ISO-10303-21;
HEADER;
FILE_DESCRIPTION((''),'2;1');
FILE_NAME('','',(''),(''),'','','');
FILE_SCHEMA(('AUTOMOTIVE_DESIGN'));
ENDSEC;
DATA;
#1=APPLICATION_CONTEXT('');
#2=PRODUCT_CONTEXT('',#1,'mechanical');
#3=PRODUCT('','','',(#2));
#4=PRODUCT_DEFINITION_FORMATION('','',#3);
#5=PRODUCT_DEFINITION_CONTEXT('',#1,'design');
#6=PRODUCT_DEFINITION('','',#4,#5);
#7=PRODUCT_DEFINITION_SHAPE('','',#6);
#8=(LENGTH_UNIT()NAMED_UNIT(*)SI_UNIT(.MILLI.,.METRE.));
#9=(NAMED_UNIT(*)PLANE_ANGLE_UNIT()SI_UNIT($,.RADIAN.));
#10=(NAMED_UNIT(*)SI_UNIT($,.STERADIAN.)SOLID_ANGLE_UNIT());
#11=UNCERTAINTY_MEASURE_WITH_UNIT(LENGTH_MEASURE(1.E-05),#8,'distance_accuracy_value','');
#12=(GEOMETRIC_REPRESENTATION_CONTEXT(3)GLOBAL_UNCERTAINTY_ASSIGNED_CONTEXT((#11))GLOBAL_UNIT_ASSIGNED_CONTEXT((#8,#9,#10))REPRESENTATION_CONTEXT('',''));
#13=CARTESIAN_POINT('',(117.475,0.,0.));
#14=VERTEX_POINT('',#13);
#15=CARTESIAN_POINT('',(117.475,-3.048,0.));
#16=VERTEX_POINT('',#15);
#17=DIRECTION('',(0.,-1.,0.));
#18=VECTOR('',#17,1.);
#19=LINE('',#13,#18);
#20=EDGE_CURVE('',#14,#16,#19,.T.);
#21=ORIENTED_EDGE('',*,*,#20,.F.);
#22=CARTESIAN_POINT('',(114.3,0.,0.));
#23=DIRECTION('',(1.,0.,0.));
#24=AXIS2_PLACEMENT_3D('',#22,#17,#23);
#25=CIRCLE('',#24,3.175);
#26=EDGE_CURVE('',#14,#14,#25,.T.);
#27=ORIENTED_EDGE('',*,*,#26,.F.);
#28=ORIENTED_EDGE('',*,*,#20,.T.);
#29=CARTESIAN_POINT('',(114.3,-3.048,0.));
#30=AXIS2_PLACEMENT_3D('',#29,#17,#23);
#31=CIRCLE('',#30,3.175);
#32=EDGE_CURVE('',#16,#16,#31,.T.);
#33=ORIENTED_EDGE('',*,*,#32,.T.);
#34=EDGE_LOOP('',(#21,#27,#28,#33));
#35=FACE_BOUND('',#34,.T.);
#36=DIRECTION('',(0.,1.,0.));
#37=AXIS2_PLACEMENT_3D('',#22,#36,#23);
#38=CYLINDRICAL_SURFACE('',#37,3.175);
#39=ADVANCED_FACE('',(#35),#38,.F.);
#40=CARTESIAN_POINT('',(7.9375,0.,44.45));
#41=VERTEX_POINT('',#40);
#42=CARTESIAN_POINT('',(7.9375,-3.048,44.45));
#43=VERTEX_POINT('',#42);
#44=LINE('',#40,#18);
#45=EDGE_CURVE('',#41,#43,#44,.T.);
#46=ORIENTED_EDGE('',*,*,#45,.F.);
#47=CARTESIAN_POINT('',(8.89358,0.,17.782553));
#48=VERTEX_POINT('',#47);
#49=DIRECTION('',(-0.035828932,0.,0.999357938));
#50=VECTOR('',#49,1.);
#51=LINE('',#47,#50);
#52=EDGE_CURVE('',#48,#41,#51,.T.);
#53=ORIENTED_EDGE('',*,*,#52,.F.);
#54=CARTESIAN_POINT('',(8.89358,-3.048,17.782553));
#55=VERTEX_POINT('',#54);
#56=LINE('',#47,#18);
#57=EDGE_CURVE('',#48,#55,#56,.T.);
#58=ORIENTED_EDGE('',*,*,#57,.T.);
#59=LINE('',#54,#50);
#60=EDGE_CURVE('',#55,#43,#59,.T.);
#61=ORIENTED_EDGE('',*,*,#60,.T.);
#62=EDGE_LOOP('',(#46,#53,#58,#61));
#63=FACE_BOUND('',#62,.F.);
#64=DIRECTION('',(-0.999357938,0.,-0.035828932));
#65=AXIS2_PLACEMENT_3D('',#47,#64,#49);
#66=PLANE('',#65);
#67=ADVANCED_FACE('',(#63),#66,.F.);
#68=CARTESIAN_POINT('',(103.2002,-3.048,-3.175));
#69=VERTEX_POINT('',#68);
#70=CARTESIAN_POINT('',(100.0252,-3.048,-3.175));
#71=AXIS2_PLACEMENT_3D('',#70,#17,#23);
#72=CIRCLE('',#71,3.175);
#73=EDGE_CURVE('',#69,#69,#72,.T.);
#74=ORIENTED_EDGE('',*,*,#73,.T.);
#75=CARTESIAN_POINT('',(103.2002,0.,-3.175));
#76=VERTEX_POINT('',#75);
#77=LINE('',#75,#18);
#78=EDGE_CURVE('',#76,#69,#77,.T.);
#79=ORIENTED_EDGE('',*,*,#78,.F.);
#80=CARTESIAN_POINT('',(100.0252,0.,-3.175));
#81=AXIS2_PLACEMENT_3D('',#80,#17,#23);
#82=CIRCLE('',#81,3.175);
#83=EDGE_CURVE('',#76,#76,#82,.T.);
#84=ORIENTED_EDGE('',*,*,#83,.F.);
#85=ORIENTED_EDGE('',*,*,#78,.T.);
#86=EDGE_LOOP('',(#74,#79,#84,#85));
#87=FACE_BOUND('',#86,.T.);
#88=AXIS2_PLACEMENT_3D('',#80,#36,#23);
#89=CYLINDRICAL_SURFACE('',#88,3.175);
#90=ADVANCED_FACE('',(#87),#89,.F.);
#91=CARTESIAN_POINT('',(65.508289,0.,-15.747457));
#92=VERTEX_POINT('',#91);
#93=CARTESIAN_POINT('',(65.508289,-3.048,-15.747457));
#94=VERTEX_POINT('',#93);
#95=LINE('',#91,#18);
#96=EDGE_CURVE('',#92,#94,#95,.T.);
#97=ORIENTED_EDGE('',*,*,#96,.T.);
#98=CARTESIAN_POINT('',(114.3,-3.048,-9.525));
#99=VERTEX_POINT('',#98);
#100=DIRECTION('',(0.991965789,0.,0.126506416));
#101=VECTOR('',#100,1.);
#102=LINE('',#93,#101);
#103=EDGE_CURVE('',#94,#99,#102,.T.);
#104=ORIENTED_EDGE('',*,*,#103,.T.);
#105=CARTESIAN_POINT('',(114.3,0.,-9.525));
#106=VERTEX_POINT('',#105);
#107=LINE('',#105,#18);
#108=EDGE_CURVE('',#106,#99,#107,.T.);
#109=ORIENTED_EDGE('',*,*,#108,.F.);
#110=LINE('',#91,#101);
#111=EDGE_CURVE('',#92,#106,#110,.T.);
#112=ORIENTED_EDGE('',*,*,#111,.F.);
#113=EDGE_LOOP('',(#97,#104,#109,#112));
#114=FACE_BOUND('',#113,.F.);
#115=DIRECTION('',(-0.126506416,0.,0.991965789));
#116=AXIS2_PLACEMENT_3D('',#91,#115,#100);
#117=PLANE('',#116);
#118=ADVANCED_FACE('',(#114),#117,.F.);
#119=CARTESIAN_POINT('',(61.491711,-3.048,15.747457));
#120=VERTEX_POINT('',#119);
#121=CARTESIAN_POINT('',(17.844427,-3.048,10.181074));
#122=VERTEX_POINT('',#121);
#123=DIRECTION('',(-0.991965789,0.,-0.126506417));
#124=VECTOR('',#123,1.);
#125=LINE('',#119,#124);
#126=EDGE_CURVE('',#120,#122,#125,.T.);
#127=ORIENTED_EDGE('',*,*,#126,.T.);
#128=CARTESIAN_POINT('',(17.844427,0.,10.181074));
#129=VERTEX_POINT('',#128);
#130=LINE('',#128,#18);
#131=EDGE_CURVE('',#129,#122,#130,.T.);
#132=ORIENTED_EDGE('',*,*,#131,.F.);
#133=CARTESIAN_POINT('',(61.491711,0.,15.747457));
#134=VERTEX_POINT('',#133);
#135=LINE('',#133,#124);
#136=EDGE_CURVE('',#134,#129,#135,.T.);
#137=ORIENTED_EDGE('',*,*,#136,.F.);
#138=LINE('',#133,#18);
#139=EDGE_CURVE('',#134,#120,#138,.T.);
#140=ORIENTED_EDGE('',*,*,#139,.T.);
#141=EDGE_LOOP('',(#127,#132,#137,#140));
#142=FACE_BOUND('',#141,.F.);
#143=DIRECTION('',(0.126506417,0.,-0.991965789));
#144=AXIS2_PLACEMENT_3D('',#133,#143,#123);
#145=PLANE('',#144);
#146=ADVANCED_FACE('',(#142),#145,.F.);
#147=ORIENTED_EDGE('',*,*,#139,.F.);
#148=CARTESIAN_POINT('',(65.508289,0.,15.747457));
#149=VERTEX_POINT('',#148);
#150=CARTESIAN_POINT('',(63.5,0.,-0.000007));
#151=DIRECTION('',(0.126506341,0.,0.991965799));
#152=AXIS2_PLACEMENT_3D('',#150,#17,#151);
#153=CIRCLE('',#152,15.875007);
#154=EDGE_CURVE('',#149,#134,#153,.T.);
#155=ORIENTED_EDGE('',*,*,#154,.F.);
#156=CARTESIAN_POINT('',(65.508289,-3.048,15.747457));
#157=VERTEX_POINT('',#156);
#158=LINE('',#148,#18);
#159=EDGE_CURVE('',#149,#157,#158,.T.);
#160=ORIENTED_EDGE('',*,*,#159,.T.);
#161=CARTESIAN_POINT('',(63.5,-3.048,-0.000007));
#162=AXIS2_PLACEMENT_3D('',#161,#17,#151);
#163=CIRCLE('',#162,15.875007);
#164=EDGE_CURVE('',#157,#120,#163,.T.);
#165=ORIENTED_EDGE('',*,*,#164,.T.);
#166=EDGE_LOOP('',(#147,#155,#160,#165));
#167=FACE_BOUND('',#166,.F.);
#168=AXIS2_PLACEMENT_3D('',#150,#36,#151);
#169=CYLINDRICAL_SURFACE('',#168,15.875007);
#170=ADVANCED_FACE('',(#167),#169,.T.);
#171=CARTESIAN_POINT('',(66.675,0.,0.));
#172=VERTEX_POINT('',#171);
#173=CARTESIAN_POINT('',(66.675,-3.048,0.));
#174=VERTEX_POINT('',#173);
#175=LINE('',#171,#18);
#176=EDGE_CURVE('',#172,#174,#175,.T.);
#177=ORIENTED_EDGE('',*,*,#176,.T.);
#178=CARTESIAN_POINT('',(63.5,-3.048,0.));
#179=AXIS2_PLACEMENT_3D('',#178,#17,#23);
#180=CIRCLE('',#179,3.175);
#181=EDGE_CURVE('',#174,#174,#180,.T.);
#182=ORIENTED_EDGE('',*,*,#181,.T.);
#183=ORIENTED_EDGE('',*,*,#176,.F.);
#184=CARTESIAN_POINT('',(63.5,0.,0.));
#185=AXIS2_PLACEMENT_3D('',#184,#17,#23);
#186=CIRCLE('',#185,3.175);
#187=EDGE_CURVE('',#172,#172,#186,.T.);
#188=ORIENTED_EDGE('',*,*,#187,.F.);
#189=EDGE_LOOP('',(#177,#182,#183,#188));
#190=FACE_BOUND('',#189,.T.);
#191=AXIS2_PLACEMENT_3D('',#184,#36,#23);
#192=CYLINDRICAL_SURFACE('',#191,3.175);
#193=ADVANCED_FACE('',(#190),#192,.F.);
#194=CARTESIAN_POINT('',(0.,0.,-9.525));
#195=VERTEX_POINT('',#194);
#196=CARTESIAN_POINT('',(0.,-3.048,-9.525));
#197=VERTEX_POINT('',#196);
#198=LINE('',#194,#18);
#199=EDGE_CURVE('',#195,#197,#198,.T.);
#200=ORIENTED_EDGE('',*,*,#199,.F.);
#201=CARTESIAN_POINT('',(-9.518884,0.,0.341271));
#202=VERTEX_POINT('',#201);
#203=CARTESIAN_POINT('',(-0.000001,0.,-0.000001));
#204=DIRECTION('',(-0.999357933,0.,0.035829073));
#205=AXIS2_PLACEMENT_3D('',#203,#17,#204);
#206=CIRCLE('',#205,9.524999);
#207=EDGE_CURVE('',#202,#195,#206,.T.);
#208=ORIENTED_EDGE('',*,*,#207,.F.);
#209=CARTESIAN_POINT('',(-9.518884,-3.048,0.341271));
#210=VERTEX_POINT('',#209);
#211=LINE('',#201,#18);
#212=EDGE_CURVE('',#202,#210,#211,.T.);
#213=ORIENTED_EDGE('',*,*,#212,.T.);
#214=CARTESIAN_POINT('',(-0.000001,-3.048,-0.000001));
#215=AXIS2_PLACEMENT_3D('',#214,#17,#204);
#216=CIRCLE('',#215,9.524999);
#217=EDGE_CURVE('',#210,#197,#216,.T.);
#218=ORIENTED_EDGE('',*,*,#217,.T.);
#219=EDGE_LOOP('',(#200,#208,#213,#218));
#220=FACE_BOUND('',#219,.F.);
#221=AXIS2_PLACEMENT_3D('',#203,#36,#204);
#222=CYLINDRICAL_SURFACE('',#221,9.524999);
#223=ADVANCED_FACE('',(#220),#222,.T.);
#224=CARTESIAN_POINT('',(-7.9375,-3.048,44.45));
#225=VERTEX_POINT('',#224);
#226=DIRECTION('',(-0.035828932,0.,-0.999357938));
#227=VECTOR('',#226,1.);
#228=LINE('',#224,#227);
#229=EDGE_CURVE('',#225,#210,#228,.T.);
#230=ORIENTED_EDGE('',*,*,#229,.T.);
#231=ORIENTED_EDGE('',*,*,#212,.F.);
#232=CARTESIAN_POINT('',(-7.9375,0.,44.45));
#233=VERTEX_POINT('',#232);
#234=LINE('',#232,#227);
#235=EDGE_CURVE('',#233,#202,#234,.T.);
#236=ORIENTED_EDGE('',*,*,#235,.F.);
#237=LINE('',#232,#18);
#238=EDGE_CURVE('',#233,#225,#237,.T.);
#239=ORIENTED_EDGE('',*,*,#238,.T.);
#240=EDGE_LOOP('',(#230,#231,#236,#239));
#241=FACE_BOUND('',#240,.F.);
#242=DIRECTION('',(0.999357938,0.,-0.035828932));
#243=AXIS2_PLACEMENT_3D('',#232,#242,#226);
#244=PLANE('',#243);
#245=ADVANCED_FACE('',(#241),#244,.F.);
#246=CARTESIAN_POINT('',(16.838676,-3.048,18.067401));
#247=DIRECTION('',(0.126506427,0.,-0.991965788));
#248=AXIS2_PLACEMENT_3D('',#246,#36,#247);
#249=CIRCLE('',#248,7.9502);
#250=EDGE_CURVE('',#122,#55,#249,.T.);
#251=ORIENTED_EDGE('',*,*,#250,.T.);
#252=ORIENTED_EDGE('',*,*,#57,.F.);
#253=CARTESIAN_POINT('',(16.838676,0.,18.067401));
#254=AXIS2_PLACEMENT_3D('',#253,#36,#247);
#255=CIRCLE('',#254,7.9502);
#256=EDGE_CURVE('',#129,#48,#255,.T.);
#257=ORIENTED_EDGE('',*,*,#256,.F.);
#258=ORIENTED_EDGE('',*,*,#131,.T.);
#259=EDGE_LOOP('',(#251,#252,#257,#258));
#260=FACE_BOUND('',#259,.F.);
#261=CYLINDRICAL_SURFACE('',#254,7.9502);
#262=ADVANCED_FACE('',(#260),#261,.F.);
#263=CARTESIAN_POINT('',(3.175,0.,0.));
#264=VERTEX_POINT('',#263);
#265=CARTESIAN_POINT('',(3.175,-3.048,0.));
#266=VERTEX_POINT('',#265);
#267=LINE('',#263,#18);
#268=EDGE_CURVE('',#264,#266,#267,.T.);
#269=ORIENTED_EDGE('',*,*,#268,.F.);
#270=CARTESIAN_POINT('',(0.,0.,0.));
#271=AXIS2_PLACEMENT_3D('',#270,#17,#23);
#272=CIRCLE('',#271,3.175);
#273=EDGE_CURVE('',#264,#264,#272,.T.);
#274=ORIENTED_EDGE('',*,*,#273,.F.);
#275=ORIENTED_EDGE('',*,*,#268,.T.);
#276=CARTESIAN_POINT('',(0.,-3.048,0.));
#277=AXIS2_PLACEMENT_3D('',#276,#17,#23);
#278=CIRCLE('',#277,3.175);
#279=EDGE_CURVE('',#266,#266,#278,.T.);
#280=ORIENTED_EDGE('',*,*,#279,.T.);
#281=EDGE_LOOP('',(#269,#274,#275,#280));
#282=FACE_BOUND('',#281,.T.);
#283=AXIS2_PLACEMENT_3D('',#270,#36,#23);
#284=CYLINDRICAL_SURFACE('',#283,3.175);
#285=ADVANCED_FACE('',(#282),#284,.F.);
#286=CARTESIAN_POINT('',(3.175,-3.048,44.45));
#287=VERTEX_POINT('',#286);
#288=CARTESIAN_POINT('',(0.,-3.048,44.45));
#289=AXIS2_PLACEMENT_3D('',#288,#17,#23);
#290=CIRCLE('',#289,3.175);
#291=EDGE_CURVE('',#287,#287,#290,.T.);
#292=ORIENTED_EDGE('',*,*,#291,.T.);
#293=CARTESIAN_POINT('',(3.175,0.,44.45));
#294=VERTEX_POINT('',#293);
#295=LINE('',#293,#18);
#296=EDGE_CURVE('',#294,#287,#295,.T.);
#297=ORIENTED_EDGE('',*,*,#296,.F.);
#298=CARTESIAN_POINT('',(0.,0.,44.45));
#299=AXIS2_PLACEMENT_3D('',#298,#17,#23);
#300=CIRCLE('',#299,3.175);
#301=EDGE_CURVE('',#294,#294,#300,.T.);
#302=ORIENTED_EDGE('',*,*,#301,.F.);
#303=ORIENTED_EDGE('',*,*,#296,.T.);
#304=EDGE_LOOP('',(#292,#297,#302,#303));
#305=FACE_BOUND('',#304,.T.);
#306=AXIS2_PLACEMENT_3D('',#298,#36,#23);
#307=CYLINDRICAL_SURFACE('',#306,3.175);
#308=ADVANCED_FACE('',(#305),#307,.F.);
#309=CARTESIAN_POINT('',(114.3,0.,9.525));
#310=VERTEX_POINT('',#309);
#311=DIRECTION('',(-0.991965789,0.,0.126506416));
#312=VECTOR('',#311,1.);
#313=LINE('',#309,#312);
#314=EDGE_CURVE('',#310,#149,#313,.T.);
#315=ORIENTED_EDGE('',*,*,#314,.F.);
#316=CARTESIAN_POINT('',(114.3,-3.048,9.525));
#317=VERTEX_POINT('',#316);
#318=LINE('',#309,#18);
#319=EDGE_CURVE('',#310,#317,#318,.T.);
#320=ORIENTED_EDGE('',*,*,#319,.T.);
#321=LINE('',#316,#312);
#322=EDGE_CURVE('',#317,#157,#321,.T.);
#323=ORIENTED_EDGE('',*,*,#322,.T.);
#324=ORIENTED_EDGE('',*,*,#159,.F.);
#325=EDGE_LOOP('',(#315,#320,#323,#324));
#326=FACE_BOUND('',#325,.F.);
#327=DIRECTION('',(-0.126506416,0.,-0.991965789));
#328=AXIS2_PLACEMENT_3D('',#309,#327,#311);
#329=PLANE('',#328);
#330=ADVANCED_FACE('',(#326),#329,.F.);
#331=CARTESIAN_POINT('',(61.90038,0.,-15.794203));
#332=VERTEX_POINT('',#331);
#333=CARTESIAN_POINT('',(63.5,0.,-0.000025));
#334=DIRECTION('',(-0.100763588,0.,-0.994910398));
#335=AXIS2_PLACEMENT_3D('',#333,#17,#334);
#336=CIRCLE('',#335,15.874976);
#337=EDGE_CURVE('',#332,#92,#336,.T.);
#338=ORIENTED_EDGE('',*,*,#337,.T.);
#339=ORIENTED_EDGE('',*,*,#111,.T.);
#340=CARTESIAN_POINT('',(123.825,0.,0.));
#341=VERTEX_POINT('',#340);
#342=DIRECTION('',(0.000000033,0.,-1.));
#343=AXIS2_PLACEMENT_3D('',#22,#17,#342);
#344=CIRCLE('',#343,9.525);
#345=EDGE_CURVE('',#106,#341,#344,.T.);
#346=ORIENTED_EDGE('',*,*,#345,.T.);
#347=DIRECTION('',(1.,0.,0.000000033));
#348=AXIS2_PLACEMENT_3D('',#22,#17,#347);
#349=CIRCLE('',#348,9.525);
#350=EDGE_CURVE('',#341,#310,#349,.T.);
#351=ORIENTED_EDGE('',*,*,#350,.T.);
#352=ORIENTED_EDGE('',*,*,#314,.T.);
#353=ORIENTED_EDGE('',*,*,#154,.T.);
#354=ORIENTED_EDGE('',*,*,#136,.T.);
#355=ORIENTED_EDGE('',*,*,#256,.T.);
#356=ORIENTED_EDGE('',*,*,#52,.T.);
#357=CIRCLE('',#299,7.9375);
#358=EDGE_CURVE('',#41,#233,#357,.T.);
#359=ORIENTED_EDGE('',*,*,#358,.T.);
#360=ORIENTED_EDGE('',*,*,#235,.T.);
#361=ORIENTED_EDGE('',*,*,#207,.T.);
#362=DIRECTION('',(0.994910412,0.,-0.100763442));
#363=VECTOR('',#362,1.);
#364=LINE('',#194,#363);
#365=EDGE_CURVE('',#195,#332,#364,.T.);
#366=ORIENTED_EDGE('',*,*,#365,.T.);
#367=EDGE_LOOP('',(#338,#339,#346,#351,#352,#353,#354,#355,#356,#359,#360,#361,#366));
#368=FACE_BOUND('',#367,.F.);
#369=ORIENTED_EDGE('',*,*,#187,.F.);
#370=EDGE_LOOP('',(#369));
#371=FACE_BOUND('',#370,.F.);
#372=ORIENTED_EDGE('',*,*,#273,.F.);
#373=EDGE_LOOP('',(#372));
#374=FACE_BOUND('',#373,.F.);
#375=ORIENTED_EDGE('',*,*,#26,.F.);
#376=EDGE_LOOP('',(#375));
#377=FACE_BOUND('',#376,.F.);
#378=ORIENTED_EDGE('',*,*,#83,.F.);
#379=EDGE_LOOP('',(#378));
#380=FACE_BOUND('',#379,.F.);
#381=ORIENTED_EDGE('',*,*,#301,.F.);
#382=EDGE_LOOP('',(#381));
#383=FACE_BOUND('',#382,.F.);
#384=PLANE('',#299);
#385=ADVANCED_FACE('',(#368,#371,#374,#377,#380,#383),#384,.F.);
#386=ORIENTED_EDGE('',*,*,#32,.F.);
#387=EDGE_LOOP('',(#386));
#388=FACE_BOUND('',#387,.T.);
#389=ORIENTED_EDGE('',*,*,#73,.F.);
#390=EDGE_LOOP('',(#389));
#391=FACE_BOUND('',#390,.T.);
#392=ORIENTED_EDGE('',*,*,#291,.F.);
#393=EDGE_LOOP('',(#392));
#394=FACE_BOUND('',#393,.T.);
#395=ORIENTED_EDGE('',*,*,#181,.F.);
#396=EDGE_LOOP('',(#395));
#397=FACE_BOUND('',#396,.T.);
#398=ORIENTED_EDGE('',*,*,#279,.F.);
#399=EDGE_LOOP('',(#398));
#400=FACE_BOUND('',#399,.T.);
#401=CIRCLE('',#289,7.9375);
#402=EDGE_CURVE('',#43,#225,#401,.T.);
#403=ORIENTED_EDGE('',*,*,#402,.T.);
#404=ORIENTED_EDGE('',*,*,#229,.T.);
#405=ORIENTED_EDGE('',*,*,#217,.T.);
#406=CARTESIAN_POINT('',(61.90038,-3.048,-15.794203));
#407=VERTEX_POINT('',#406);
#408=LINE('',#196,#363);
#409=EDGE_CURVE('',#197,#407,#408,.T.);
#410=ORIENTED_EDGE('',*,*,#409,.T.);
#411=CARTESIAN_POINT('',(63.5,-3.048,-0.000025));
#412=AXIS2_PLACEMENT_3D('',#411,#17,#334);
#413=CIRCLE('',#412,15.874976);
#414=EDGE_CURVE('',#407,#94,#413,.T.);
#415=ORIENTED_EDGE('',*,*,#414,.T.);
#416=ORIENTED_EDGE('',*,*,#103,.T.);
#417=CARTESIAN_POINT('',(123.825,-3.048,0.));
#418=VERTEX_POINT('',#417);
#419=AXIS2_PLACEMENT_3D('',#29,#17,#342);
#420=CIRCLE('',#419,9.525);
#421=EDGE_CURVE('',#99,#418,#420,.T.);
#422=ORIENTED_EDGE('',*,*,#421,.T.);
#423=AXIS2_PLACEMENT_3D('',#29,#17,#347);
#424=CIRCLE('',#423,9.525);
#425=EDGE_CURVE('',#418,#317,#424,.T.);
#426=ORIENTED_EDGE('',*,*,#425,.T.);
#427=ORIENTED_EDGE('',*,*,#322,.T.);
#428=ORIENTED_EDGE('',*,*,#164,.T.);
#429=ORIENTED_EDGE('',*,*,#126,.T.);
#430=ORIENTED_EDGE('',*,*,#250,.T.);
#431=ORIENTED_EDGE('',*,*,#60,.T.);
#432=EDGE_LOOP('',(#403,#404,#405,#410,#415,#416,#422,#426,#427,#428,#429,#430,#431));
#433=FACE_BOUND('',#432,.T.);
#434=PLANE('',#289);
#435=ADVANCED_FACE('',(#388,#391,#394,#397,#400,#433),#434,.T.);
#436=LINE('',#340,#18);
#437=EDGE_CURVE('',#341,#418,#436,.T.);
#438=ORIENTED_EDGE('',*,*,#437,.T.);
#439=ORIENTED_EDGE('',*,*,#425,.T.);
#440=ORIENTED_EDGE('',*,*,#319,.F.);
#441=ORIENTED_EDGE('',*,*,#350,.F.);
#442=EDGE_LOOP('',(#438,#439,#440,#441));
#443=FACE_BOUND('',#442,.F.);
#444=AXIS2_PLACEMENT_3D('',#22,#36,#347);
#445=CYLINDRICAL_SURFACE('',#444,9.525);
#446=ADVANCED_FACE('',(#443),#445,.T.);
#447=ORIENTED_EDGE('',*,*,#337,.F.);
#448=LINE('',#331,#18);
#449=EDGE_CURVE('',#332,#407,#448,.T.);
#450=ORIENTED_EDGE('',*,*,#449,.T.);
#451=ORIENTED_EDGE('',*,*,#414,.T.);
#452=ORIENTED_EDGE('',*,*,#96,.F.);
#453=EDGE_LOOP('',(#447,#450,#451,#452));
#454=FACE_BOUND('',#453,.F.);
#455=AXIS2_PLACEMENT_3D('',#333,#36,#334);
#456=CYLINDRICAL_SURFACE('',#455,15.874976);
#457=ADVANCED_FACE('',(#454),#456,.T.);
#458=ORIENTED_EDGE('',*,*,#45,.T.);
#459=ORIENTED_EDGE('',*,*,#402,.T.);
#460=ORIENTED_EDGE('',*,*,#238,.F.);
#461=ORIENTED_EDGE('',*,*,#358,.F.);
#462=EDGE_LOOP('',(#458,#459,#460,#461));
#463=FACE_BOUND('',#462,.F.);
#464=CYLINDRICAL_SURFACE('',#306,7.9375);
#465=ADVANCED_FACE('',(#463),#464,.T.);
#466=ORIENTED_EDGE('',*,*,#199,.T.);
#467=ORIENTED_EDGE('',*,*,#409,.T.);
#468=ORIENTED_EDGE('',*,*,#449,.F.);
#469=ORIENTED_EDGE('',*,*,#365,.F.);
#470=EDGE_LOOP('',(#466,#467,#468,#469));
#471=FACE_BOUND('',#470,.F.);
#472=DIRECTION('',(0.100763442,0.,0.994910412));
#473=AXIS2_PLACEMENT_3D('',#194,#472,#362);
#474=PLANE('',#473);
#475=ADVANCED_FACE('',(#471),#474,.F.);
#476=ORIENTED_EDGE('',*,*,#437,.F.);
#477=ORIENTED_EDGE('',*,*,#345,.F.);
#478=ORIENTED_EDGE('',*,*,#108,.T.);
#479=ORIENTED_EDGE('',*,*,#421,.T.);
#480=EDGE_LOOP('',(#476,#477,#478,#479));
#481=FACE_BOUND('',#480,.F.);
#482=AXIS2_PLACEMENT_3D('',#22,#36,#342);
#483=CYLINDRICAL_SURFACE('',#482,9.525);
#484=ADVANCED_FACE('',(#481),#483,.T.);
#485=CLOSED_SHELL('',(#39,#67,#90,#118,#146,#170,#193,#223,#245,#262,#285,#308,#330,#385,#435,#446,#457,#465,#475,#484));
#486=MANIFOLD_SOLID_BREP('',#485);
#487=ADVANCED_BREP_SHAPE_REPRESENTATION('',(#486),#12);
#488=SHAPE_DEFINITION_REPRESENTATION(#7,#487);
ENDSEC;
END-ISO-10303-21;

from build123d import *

# Parameters (mm, degrees)
F0_R     = 3.175
F1_DEPTH = 3.048


with BuildPart() as f1:
    # F0 (on Front) → F1 (new body)
    with BuildSketch(Plane.XZ):
        with BuildLine():
            ThreePointArc((-7.9375, 44.45), (0, 36.5125), (7.9375, 44.45))
            ThreePointArc((7.9375, 44.45), (0, 52.3875), (-7.9375, 44.45))
        make_face()
        with Locations((0, 44.45)):
            Circle(F0_R, mode=Mode.SUBTRACT)
        with BuildLine():
            Line((8.89358, 17.782553), (7.9375, 44.45))
            ThreePointArc((7.9375, 44.45), (0, 36.5125), (-7.9375, 44.45))
            Line((-7.9375, 44.45), (-9.518884, 0.341271))
            ThreePointArc((-9.518884, 0.341271), (0.170663, 9.523471), (9.525, 0))
            ThreePointArc((9.525, 0), (6.735192, -6.735192), (0, -9.525))
            Line((0, -9.525), (61.90038, -15.794203))
            ThreePointArc((61.90038, -15.794203), (47.626332, -0.205667), (61.491711, 15.747457))
            Line((61.491711, 15.747457), (17.844427, 10.181074))
            ThreePointArc((17.844427, 10.181074), (11.692391, 12.007579), (8.89358, 17.782553))
        make_face()
        with BuildLine():
            ThreePointArc((9.525, 0), (0.170663, 9.523471), (-9.518884, 0.341271))
            ThreePointArc((-9.518884, 0.341271), (-6.854788, -6.613434), (0, -9.525))
            ThreePointArc((0, -9.525), (6.735192, -6.735192), (9.525, 0))
        make_face()
        Circle(F0_R, mode=Mode.SUBTRACT)
        with BuildLine():
            ThreePointArc((65.508289, 15.747457), (63.5, 15.875), (61.491711, 15.747457))
            ThreePointArc((61.491711, 15.747457), (47.626332, -0.205667), (61.90038, -15.794203))
            ThreePointArc((61.90038, -15.794203), (63.705667, -15.873668), (65.508289, -15.747457))
            ThreePointArc((65.508289, -15.747457), (75.414219, -10.491283), (79.375, 0))
            ThreePointArc((79.375, 0), (75.414219, 10.491283), (65.508289, 15.747457))
        make_face()
        with Locations((63.5, 0)):
            Circle(F0_R, mode=Mode.SUBTRACT)
        with BuildLine():
            Line((114.3, 9.525), (65.508289, 15.747457))
            ThreePointArc((65.508289, 15.747457), (75.414219, 10.491283), (79.375, 0))
            ThreePointArc((79.375, 0), (75.414219, -10.491283), (65.508289, -15.747457))
            Line((65.508289, -15.747457), (114.3, -9.525))
            ThreePointArc((114.3, -9.525), (104.775, 0), (114.3, 9.525))
        make_face()
        with Locations((100.0252, -3.175)):
            Circle(F0_R, mode=Mode.SUBTRACT)
        with BuildLine():
            ThreePointArc((123.825, 0), (121.035192, 6.735192), (114.3, 9.525))
            ThreePointArc((114.3, 9.525), (104.775, 0), (114.3, -9.525))
            ThreePointArc((114.3, -9.525), (121.035192, -6.735192), (123.825, 0))
        make_face()
        with Locations((114.3, 0)):
            Circle(F0_R, mode=Mode.SUBTRACT)
    extrude(amount=F1_DEPTH)


solid = f1.part
